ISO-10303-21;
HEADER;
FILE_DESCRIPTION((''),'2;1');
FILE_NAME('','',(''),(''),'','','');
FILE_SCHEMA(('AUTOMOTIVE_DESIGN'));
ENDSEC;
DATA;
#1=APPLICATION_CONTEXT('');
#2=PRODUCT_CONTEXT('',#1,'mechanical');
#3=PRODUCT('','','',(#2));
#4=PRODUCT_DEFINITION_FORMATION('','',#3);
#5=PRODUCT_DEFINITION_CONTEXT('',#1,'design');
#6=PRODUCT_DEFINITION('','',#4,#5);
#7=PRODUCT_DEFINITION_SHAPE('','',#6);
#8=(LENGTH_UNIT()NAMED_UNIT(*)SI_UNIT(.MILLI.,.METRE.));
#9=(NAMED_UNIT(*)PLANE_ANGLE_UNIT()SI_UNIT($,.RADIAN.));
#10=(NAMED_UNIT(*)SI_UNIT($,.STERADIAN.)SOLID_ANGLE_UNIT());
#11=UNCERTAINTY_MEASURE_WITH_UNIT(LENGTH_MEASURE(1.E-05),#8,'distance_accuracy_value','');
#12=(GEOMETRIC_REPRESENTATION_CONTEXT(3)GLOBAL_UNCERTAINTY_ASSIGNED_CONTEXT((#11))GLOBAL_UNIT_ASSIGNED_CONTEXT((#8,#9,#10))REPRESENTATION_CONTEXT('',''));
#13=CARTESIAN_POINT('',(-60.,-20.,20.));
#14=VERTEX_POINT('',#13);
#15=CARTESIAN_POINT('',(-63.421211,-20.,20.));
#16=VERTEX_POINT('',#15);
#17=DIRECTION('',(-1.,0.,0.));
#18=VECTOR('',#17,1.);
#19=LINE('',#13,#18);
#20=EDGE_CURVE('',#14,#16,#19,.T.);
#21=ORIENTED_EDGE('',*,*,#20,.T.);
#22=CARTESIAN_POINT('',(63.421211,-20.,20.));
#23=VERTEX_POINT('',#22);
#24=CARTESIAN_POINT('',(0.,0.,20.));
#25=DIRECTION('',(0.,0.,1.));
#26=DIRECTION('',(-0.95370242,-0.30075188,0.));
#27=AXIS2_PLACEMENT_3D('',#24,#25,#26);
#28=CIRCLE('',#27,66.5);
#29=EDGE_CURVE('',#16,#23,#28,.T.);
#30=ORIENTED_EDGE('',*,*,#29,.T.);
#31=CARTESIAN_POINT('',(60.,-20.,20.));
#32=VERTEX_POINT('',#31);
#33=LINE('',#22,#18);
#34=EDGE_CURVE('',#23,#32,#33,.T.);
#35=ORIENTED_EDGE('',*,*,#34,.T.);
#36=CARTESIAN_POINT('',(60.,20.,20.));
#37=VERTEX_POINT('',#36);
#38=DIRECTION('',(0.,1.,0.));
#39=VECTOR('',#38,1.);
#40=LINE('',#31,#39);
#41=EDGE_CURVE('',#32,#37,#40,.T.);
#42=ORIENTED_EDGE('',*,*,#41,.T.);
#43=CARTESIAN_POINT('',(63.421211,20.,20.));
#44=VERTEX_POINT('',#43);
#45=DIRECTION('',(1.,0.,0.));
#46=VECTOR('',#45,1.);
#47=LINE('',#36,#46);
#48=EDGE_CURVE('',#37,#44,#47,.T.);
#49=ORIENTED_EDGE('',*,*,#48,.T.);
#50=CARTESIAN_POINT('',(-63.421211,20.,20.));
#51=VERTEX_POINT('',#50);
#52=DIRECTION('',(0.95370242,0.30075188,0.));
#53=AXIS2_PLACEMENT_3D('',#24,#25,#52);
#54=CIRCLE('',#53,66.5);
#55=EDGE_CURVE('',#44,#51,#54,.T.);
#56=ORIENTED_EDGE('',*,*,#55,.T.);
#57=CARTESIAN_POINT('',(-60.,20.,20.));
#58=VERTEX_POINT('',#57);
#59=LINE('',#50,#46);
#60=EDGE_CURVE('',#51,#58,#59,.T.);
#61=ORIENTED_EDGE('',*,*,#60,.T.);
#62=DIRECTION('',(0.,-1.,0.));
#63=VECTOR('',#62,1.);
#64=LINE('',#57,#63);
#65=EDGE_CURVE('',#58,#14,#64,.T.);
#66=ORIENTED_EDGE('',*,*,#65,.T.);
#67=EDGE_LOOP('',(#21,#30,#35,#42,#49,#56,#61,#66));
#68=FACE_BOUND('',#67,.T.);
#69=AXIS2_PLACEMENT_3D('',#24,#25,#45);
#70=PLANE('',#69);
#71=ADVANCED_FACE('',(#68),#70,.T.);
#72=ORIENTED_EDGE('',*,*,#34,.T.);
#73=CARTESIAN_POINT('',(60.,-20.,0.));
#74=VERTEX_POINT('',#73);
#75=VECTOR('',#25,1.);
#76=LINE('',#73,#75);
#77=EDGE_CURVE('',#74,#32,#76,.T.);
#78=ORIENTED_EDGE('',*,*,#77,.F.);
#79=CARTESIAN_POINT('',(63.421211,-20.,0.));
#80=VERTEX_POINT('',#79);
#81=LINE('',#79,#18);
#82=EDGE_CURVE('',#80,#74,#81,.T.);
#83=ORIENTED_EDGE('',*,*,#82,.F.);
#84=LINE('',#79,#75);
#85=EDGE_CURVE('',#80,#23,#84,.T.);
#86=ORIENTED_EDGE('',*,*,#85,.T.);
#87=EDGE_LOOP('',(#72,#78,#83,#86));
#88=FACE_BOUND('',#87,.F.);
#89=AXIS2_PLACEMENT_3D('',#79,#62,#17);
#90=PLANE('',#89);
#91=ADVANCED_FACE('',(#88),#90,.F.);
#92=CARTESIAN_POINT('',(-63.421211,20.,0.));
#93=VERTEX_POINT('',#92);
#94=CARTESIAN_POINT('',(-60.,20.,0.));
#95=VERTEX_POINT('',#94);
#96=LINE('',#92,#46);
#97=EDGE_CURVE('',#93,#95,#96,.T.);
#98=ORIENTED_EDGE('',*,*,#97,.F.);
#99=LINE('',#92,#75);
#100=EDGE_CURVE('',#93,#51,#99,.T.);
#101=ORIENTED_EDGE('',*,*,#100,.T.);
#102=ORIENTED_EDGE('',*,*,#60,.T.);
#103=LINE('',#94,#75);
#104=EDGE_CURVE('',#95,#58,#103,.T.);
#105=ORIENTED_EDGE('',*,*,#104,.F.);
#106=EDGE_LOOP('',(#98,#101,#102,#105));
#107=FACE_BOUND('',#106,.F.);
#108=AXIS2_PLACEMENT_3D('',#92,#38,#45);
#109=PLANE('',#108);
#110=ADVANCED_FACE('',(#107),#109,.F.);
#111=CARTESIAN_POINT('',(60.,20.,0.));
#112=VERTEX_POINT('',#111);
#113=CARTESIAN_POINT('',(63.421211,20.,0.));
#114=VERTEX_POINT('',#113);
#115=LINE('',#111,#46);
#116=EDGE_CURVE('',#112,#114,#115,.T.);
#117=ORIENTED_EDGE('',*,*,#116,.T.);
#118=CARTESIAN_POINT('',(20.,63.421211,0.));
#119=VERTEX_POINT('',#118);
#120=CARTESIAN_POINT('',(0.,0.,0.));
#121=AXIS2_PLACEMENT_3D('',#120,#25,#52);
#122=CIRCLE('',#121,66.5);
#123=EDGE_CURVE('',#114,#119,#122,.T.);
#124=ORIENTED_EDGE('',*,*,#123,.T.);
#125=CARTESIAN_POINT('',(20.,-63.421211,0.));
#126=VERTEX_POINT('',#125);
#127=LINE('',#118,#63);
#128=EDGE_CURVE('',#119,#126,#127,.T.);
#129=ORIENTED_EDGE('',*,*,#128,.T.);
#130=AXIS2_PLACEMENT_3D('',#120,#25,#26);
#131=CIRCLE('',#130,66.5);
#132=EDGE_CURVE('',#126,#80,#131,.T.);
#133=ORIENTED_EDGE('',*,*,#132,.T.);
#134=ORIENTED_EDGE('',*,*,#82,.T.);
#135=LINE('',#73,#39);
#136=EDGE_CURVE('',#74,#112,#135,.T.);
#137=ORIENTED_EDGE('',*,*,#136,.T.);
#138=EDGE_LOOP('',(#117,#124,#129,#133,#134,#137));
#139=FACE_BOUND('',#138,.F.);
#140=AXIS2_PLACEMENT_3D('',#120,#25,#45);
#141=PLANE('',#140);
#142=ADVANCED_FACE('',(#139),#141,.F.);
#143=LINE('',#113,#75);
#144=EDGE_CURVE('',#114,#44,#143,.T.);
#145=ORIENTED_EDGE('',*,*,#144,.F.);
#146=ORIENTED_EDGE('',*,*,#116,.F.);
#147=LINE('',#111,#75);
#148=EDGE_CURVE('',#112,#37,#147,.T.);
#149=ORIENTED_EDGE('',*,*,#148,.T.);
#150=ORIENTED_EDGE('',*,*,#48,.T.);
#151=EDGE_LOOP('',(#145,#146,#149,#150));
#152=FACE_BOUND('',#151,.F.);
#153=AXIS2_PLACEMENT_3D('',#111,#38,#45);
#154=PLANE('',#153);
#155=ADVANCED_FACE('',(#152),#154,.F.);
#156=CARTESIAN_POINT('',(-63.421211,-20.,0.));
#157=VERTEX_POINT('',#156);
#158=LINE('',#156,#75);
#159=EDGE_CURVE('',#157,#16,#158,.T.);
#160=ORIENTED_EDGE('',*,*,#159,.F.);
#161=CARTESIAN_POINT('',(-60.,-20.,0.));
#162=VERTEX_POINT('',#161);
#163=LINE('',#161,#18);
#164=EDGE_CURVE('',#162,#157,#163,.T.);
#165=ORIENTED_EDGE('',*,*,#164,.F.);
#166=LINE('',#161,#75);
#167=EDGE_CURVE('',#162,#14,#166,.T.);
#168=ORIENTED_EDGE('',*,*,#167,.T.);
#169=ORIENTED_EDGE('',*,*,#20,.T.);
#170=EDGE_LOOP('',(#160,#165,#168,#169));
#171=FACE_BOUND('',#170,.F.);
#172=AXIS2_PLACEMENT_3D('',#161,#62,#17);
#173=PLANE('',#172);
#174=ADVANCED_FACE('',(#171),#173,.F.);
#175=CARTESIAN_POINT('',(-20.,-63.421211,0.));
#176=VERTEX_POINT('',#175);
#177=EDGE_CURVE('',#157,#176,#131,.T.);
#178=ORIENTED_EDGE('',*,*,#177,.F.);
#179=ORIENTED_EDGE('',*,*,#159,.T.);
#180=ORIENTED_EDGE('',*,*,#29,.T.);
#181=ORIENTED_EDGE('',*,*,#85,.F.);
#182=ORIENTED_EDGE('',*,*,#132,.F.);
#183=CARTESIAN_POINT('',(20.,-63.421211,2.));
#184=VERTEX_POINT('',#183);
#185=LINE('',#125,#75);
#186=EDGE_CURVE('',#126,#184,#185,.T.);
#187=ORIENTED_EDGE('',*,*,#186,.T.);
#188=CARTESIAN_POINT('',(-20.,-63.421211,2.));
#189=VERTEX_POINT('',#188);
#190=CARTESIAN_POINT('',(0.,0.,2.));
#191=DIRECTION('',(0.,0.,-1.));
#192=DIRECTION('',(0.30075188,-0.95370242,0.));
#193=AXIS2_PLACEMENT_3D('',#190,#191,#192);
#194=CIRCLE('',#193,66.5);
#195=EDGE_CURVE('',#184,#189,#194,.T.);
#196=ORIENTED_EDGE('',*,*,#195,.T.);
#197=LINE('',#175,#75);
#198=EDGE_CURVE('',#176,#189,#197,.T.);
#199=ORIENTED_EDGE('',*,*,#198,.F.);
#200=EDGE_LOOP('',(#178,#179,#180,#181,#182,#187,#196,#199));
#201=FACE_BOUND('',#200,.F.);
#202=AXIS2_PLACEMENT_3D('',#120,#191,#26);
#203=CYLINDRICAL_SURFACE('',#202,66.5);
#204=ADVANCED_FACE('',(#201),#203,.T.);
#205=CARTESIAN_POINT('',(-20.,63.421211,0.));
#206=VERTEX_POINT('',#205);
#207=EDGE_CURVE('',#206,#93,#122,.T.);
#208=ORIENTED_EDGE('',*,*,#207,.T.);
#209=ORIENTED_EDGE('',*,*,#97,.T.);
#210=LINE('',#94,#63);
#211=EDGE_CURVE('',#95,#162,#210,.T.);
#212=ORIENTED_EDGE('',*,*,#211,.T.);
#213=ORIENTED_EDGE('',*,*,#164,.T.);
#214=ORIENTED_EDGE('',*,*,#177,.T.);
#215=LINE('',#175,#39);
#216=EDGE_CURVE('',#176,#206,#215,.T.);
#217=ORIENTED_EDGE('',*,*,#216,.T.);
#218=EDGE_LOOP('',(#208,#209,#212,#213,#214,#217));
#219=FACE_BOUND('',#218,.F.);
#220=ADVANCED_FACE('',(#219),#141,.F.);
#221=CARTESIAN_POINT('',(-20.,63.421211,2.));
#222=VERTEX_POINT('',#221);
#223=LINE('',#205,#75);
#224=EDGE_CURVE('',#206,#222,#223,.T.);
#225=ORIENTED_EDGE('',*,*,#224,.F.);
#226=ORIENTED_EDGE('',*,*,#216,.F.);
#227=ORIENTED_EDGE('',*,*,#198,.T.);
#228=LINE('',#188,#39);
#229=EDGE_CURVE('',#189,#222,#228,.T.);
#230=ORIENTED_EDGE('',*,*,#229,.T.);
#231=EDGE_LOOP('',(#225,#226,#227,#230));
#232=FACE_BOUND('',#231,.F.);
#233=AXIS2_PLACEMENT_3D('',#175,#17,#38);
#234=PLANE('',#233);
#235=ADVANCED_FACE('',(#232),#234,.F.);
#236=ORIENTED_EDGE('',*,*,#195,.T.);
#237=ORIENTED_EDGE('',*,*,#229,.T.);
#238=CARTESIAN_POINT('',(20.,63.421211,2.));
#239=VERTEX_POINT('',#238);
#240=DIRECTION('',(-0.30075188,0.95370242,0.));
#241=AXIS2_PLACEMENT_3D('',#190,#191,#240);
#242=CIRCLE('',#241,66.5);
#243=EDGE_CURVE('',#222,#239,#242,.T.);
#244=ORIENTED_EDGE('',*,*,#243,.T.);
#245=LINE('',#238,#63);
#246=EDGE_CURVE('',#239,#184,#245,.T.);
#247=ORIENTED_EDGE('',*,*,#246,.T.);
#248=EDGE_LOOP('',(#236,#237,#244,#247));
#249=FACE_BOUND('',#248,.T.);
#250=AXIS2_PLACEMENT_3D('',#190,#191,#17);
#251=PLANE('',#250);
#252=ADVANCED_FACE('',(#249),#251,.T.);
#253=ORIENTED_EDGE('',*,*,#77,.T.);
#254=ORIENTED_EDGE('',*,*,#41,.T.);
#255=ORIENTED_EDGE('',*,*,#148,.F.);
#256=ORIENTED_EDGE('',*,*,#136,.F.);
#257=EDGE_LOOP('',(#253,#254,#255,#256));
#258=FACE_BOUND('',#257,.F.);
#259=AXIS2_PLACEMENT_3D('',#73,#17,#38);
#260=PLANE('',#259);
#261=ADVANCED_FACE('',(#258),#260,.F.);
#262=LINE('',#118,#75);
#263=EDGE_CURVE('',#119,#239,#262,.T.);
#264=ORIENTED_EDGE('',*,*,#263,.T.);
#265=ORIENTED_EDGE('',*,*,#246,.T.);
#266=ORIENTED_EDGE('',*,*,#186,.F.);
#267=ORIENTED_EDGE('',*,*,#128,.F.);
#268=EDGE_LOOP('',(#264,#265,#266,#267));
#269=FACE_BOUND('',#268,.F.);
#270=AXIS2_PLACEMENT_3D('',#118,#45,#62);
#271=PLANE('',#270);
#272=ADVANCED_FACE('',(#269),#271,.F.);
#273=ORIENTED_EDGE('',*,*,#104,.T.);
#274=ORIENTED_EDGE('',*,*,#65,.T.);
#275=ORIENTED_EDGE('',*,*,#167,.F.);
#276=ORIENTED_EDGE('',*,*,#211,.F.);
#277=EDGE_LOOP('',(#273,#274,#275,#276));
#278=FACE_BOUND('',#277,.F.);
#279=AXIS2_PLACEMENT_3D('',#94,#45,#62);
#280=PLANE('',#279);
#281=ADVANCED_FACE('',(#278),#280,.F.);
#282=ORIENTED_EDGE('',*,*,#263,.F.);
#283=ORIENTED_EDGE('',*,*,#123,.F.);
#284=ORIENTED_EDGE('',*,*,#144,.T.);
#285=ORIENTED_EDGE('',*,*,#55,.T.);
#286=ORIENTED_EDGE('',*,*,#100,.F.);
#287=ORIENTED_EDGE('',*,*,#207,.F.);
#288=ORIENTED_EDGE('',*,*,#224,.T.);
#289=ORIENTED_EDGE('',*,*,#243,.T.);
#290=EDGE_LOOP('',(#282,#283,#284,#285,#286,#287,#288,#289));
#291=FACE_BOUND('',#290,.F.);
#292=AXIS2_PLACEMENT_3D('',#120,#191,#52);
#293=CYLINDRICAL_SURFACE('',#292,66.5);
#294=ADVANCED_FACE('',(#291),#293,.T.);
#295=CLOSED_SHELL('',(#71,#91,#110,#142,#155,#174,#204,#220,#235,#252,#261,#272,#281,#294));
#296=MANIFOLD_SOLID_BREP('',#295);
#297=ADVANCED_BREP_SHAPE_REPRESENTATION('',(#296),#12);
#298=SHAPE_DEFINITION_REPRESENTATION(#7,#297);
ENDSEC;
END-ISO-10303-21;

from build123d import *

# Parameters (mm, degrees)
EXTRUDE_1_DEPTH     = 20
CUT_EXTRUDE_1_DEPTH = 2


with BuildPart() as part:
    # 草圖1 → 填料-伸長1 (new body)
    with BuildSketch(Plane.XY):
        with BuildLine():
            Line((-63.421210963, 20), (-60, 20))
            Line((-60, 20), (-60, -20))
            Line((-60, -20), (-63.421210963, -20))
            ThreePointArc((-63.421210963, -20), (0, -66.5), (63.421210963, -20))
            Line((63.421210963, -20), (60, -20))
            Line((60, -20), (60, 20))
            Line((60, 20), (63.421210963, 20))
            ThreePointArc((63.421210963, 20), (0, 66.5), (-63.421210963, 20))
        make_face()
    extrude(amount=EXTRUDE_1_DEPTH)

    # 草圖2 → 除料-伸長1 (cut)
    with BuildSketch(Plane(origin=(0, 0, 0), x_dir=(-1, 0, 0), z_dir=(0, 0, -1))):
        with BuildLine():
            Line((-20, 63.421210963), (-20, -63.421210963))
            ThreePointArc((-20, -63.421210963), (0, -66.5), (20, -63.421210963))
            Line((20, -63.421210963), (20, 63.421210963))
            ThreePointArc((20, 63.421210963), (0, 66.5), (-20, 63.421210963))
        make_face()
    extrude(amount=-CUT_EXTRUDE_1_DEPTH, mode=Mode.SUBTRACT)


solid = part.part
